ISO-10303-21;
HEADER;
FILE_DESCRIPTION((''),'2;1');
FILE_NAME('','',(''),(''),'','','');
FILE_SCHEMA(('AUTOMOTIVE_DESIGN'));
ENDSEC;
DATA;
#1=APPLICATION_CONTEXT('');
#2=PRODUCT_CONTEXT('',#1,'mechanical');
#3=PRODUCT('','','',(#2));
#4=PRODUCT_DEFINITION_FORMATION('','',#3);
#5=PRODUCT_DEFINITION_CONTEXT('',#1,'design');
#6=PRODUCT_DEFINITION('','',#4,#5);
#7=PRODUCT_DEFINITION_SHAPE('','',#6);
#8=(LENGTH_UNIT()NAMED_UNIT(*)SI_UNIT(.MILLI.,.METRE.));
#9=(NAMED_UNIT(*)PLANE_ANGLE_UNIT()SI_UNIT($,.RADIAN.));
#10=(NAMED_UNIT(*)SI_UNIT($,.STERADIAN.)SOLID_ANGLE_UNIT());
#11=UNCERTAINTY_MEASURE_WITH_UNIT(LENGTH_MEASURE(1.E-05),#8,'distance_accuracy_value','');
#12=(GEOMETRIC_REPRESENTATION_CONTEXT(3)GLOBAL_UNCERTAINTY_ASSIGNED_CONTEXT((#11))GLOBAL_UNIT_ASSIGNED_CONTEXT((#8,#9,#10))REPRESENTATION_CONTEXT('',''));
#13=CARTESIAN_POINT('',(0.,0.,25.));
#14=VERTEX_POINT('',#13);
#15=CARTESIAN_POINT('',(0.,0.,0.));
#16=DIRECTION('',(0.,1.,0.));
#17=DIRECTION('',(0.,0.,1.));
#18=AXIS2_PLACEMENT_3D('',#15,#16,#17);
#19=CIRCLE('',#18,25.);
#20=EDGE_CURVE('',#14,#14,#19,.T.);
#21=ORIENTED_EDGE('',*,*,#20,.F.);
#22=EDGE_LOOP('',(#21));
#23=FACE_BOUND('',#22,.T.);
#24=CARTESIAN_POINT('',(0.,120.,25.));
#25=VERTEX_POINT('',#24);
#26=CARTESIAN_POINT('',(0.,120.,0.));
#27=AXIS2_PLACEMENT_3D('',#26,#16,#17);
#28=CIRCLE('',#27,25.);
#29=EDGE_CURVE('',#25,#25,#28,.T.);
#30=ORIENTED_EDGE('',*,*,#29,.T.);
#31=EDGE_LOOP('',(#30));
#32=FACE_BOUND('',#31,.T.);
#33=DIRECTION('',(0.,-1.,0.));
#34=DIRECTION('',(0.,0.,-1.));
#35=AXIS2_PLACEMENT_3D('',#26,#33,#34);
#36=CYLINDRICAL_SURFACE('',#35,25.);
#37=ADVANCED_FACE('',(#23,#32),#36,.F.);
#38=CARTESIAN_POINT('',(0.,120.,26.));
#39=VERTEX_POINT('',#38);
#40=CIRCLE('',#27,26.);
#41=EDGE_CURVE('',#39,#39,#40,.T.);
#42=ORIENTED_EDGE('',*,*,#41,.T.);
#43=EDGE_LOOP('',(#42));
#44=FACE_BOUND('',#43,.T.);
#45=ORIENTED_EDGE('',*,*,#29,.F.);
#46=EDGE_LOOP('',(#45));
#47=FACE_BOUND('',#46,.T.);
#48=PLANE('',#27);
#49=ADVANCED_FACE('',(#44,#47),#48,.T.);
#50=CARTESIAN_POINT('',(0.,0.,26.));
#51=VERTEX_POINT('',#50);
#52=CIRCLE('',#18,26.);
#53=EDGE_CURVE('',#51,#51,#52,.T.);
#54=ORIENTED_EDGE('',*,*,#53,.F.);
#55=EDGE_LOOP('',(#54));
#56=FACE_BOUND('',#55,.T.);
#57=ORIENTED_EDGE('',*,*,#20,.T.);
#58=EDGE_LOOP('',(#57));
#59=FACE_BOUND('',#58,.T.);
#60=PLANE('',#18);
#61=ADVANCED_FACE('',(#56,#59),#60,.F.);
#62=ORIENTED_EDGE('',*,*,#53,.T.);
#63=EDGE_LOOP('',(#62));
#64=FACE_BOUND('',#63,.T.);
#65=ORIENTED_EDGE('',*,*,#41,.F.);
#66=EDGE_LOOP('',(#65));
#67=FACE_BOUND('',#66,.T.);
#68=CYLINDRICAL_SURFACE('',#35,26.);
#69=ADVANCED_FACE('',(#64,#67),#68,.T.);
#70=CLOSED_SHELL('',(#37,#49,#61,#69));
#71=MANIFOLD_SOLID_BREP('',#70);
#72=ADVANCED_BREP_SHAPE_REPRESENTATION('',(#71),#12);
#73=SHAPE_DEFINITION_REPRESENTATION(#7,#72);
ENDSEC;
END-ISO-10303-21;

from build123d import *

# Parameters (mm, degrees)
ESBO_O1_R                = 26
ESBO_O1_R_2              = 25
RESSALTO_EXTRUS_O1_DEPTH = 120


with BuildPart() as part:
    # Esboço1 → Ressalto-extrusão1 (new body)
    with BuildSketch(Plane(origin=(0, 0, 0), x_dir=(1, 0, 0), z_dir=(0, 1, 0))):
        with Locations(Location((0, 0, 0), (0, 0, 270))):
            Circle(ESBO_O1_R)
        with Locations(Location((0, 0, 0), (0, 0, 270))):
            Circle(ESBO_O1_R_2, mode=Mode.SUBTRACT)
    extrude(amount=RESSALTO_EXTRUS_O1_DEPTH)


solid = part.part
